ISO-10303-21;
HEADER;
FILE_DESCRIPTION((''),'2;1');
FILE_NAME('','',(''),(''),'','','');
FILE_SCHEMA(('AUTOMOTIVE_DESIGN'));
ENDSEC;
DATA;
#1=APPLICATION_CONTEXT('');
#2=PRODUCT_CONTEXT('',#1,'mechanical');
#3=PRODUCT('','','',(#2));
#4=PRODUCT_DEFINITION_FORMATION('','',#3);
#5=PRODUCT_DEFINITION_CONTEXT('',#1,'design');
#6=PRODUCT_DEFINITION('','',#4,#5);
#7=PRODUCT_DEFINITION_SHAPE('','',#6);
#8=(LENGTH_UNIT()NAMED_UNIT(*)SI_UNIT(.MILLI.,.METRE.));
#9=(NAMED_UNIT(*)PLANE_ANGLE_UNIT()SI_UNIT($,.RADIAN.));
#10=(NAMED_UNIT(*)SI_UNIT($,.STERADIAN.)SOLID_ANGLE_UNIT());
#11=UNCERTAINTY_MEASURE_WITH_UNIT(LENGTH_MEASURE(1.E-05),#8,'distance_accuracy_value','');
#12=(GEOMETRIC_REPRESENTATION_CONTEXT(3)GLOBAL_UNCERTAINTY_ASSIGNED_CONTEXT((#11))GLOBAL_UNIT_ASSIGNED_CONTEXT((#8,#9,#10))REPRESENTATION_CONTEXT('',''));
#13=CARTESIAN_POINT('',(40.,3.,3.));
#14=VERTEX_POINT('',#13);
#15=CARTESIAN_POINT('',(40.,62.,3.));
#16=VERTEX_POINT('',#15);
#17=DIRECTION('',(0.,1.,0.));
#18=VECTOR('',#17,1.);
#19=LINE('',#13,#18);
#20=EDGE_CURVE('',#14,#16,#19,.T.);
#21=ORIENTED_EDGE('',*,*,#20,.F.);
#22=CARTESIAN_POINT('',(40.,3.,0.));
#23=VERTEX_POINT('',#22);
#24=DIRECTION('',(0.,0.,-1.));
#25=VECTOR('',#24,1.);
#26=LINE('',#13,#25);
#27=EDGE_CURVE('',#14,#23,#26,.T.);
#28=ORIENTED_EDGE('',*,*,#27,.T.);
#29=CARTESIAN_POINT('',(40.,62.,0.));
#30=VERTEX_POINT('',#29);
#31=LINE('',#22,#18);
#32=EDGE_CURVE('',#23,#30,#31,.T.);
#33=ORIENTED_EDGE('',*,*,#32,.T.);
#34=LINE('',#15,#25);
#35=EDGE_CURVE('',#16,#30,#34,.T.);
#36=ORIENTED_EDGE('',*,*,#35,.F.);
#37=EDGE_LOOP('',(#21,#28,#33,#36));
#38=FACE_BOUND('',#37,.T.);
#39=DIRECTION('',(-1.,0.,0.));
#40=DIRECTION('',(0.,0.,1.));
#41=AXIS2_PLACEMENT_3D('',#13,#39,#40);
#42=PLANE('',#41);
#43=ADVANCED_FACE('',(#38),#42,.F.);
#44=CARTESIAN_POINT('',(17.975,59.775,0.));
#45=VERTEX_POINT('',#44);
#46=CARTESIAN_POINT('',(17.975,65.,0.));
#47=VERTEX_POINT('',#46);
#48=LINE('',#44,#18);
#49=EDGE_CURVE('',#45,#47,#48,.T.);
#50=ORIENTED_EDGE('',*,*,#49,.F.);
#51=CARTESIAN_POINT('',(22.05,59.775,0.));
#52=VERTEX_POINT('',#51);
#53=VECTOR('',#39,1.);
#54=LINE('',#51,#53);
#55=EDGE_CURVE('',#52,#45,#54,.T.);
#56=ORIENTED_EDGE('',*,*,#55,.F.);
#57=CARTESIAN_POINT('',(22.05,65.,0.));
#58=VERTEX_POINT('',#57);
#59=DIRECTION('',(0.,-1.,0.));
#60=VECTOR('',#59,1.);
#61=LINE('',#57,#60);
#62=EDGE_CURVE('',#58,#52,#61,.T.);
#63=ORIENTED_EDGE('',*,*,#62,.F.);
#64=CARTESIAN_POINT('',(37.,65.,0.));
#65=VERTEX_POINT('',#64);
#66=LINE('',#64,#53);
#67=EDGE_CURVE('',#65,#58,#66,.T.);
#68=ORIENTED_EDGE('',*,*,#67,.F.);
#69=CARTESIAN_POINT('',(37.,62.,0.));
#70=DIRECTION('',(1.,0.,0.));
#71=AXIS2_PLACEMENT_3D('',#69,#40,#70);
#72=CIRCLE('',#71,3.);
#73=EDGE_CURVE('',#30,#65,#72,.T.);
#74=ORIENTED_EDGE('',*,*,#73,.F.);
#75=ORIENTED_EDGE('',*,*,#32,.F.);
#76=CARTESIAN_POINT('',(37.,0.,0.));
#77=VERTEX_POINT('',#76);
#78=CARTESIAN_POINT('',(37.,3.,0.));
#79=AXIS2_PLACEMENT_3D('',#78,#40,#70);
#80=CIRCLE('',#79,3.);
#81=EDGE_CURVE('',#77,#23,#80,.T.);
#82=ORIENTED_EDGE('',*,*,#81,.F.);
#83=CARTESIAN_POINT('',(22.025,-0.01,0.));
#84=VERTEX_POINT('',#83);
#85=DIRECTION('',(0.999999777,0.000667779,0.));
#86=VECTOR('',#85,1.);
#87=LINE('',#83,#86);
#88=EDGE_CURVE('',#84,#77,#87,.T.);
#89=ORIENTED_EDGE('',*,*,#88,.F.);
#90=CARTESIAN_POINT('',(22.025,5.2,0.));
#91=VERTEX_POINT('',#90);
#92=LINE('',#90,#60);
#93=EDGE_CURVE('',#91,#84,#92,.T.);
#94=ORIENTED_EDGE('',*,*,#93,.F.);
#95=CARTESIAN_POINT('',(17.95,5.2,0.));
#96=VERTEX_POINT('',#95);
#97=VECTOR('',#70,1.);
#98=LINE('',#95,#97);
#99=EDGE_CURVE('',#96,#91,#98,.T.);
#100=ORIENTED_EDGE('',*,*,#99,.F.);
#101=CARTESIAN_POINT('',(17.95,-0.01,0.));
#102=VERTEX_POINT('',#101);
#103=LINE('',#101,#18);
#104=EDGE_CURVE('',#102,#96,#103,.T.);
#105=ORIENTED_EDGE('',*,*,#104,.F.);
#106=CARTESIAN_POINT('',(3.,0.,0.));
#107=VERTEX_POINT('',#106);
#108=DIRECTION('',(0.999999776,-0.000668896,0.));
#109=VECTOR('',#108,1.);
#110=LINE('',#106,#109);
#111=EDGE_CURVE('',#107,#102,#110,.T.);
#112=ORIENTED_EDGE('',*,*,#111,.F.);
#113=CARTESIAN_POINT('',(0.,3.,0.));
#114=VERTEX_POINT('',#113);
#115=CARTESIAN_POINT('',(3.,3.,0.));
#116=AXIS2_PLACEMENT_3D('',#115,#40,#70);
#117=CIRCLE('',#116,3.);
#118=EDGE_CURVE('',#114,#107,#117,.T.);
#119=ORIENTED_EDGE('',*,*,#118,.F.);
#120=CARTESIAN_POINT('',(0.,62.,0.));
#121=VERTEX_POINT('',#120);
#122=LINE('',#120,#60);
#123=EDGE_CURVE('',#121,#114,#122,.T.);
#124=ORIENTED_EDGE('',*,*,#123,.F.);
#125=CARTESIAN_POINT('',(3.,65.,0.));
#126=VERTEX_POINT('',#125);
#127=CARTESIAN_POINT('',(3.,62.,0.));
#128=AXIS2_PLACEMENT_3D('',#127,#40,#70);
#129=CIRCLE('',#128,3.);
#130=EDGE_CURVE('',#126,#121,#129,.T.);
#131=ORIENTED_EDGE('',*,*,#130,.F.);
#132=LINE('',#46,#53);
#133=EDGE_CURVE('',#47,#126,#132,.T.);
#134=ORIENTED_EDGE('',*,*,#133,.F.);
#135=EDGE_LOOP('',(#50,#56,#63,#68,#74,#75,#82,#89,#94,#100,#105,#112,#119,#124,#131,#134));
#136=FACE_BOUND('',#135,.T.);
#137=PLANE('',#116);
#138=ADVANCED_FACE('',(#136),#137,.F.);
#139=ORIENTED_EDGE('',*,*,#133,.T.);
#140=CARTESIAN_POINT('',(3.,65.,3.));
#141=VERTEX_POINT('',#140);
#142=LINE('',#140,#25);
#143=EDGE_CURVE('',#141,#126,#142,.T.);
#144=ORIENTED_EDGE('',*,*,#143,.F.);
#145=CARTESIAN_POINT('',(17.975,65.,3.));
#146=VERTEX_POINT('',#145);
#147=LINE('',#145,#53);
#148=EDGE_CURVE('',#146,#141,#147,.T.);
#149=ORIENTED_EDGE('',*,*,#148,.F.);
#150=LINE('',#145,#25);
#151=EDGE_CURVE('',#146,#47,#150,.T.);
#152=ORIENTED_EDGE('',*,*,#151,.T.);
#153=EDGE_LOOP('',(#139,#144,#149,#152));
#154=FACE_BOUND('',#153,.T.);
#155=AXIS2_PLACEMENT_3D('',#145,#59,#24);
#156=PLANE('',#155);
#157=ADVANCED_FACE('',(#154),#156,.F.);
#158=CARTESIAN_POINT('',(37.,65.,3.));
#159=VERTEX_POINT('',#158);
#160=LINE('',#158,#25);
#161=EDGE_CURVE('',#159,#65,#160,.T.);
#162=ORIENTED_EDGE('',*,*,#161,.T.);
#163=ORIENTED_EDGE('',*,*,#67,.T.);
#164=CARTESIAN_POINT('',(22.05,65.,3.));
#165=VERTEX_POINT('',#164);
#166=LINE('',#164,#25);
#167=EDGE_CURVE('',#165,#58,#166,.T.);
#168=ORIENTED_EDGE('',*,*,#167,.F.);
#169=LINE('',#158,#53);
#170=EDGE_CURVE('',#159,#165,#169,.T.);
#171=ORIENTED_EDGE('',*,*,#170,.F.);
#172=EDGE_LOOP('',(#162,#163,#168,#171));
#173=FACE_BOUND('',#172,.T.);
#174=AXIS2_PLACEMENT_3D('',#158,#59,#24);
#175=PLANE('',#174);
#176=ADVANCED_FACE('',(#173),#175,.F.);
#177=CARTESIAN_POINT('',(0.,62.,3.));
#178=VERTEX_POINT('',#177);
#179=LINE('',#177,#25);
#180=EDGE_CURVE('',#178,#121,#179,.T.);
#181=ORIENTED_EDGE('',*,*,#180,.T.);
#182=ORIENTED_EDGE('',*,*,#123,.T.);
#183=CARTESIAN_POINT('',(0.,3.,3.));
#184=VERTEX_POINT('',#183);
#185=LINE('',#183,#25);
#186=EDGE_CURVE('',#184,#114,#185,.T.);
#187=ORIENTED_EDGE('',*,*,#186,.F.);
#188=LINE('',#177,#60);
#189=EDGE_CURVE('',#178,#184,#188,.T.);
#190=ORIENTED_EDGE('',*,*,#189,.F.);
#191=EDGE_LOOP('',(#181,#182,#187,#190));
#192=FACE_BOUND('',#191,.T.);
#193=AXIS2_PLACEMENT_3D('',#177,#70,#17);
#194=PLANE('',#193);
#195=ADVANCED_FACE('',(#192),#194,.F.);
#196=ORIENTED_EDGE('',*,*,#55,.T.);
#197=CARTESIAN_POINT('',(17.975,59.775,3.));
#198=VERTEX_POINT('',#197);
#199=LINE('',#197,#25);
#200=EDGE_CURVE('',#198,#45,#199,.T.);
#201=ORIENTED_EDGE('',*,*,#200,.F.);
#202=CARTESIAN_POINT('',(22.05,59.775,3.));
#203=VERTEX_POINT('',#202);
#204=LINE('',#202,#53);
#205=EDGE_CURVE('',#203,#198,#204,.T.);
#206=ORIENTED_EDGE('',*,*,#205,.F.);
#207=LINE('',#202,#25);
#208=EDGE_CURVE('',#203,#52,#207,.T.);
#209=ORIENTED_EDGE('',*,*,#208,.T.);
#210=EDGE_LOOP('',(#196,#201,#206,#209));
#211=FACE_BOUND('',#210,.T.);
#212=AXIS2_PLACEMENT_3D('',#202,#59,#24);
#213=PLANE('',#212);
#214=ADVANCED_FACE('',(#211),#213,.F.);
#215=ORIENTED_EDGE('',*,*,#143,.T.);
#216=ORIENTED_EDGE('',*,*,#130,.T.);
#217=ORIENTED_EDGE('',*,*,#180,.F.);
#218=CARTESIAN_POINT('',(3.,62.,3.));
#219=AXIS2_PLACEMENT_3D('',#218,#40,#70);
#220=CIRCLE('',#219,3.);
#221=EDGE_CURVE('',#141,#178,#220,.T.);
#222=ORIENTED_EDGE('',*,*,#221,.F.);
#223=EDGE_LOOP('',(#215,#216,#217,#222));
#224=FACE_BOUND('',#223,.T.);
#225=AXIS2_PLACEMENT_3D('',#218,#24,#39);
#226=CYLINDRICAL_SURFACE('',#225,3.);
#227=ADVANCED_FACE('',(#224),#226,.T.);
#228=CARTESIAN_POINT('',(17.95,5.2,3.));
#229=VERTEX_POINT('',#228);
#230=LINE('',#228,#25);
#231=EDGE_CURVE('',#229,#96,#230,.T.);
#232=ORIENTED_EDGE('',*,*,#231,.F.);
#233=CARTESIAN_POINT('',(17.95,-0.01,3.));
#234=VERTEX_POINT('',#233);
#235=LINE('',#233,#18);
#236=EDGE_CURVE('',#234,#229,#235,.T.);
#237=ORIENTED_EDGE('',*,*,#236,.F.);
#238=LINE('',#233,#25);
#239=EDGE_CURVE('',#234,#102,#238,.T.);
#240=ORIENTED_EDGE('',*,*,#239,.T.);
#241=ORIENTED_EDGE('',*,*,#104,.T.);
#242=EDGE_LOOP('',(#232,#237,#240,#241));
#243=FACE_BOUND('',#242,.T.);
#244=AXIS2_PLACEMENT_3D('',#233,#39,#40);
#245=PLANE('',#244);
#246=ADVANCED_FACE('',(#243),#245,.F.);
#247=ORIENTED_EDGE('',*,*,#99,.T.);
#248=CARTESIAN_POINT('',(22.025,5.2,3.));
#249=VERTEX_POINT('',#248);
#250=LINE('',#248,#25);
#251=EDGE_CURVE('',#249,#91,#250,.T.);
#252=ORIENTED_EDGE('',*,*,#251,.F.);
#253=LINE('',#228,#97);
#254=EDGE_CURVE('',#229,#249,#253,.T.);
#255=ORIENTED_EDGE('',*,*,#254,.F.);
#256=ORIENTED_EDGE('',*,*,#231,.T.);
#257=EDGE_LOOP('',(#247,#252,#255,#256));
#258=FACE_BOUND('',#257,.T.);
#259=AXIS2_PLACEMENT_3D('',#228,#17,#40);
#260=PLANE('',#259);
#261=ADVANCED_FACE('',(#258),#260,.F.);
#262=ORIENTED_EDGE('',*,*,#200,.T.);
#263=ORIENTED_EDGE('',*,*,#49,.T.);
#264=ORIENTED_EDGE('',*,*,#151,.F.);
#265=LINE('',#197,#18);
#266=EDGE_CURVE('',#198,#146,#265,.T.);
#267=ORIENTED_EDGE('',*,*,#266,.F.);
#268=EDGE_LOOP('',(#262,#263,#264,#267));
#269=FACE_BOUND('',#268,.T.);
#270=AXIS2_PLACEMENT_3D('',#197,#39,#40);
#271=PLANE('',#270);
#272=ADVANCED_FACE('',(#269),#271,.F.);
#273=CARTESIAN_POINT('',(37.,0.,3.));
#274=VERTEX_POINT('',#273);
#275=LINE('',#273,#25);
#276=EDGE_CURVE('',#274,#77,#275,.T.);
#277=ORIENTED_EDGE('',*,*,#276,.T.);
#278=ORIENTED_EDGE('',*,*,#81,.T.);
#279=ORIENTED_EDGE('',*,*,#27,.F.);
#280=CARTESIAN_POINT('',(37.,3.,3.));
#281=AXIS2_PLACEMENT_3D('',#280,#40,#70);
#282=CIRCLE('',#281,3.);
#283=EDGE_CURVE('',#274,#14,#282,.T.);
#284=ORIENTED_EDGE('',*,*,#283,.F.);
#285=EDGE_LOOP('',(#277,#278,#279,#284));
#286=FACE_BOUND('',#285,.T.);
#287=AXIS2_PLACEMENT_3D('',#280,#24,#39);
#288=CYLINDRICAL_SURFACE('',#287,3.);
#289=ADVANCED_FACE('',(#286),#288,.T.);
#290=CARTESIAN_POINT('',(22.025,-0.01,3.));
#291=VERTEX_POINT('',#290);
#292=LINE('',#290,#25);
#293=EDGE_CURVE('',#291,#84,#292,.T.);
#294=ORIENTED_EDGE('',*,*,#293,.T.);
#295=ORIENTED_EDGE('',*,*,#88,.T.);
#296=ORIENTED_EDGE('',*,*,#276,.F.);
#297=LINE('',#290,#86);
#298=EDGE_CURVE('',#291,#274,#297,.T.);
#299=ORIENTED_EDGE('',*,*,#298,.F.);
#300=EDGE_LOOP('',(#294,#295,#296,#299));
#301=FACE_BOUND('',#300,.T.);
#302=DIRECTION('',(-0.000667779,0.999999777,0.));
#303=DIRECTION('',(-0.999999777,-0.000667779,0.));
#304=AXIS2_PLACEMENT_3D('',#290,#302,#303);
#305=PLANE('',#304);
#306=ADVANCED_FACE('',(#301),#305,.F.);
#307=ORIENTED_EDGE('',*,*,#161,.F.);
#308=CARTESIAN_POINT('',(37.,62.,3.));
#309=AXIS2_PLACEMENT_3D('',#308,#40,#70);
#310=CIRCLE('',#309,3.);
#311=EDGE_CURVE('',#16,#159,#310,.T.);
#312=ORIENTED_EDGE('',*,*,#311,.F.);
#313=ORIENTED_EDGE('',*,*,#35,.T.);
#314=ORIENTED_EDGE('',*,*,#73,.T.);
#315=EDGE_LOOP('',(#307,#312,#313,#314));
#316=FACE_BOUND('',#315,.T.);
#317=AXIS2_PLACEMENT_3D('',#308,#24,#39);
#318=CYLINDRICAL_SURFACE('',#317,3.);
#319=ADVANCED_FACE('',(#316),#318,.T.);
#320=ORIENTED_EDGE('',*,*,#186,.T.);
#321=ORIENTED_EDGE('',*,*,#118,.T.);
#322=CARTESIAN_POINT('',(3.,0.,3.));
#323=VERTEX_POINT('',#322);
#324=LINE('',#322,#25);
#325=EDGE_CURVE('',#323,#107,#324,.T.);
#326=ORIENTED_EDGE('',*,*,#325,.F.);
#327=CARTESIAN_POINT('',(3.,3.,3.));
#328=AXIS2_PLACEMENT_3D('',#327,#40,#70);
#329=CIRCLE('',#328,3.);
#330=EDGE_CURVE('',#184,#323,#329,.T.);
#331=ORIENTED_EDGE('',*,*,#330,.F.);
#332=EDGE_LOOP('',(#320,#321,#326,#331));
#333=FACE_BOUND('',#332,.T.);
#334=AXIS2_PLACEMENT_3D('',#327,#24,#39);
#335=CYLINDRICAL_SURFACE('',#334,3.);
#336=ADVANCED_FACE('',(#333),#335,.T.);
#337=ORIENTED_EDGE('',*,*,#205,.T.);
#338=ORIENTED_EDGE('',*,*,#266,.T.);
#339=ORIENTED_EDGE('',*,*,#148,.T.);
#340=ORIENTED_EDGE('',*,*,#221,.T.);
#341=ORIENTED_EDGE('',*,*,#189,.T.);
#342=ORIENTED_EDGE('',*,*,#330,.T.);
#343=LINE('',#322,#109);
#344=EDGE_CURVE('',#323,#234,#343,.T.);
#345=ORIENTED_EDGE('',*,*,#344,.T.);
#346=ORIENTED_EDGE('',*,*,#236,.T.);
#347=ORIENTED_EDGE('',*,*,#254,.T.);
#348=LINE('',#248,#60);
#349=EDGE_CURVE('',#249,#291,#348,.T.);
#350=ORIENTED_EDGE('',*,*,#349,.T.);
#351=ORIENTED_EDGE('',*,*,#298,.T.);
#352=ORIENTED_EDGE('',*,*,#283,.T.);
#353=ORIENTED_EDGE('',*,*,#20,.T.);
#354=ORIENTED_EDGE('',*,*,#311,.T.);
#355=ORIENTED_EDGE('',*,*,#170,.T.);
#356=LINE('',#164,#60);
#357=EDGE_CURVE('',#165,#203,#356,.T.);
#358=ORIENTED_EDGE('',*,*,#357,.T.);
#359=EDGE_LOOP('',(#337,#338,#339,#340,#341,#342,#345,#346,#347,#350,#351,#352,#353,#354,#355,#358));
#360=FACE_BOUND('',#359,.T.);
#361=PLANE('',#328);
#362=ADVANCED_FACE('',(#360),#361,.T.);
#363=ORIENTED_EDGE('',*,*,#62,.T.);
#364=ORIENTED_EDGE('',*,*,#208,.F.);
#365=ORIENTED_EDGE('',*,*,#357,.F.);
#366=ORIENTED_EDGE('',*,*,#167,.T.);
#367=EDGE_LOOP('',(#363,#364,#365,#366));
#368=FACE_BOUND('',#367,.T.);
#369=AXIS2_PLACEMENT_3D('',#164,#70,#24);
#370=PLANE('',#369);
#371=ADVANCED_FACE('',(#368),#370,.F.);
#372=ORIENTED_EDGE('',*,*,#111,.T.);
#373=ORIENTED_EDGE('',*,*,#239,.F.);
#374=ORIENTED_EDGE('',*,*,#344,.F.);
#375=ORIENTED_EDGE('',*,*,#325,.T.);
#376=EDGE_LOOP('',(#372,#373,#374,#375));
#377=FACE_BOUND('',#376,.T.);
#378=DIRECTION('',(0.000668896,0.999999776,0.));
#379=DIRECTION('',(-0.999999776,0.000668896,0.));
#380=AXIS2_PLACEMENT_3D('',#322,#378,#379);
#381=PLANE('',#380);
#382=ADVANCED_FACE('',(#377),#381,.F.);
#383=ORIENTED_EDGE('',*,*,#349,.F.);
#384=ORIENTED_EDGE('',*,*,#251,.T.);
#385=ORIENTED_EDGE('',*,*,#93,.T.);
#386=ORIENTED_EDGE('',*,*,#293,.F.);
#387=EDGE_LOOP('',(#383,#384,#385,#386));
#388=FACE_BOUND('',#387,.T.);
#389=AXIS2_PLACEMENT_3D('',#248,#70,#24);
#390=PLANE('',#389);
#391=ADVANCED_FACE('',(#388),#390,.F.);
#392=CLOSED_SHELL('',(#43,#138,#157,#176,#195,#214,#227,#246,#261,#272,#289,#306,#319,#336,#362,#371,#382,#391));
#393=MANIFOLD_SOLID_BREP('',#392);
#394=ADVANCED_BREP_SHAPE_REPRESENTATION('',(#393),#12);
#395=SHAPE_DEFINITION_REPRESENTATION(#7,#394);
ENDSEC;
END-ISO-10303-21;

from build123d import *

# Parameters (mm, degrees)
BOSS_EXTRUDE1_DEPTH = 3


with BuildPart() as part:
    # Sketch1 → Boss-Extrude1 (new body)
    with BuildSketch(Plane.XY):
        with BuildLine():
            Line((3, 0), (17.95, -0.01))
            Line((17.95, -0.01), (17.95, 5.2))
            Line((17.95, 5.2), (22.025, 5.2))
            Line((22.025, 5.2), (22.025, -0.01))
            Line((22.025, -0.01), (37, 0))
            ThreePointArc((37, 0), (39.121320344, 0.878679656), (40, 3))
            Line((40, 3), (40, 62))
            ThreePointArc((40, 62), (39.121320344, 64.121320344), (37, 65))
            Line((37, 65), (22.05, 65))
            Line((22.05, 65), (22.05, 59.775))
            Line((22.05, 59.775), (17.975, 59.775))
            Line((17.975, 59.775), (17.975, 65))
            Line((17.975, 65), (3, 65))
            ThreePointArc((3, 65), (0.878679656, 64.121320344), (0, 62))
            Line((0, 62), (0, 3))
            ThreePointArc((0, 3), (0.878679656, 0.878679656), (3, 0))
        make_face()
    extrude(amount=BOSS_EXTRUDE1_DEPTH)


solid = part.part
